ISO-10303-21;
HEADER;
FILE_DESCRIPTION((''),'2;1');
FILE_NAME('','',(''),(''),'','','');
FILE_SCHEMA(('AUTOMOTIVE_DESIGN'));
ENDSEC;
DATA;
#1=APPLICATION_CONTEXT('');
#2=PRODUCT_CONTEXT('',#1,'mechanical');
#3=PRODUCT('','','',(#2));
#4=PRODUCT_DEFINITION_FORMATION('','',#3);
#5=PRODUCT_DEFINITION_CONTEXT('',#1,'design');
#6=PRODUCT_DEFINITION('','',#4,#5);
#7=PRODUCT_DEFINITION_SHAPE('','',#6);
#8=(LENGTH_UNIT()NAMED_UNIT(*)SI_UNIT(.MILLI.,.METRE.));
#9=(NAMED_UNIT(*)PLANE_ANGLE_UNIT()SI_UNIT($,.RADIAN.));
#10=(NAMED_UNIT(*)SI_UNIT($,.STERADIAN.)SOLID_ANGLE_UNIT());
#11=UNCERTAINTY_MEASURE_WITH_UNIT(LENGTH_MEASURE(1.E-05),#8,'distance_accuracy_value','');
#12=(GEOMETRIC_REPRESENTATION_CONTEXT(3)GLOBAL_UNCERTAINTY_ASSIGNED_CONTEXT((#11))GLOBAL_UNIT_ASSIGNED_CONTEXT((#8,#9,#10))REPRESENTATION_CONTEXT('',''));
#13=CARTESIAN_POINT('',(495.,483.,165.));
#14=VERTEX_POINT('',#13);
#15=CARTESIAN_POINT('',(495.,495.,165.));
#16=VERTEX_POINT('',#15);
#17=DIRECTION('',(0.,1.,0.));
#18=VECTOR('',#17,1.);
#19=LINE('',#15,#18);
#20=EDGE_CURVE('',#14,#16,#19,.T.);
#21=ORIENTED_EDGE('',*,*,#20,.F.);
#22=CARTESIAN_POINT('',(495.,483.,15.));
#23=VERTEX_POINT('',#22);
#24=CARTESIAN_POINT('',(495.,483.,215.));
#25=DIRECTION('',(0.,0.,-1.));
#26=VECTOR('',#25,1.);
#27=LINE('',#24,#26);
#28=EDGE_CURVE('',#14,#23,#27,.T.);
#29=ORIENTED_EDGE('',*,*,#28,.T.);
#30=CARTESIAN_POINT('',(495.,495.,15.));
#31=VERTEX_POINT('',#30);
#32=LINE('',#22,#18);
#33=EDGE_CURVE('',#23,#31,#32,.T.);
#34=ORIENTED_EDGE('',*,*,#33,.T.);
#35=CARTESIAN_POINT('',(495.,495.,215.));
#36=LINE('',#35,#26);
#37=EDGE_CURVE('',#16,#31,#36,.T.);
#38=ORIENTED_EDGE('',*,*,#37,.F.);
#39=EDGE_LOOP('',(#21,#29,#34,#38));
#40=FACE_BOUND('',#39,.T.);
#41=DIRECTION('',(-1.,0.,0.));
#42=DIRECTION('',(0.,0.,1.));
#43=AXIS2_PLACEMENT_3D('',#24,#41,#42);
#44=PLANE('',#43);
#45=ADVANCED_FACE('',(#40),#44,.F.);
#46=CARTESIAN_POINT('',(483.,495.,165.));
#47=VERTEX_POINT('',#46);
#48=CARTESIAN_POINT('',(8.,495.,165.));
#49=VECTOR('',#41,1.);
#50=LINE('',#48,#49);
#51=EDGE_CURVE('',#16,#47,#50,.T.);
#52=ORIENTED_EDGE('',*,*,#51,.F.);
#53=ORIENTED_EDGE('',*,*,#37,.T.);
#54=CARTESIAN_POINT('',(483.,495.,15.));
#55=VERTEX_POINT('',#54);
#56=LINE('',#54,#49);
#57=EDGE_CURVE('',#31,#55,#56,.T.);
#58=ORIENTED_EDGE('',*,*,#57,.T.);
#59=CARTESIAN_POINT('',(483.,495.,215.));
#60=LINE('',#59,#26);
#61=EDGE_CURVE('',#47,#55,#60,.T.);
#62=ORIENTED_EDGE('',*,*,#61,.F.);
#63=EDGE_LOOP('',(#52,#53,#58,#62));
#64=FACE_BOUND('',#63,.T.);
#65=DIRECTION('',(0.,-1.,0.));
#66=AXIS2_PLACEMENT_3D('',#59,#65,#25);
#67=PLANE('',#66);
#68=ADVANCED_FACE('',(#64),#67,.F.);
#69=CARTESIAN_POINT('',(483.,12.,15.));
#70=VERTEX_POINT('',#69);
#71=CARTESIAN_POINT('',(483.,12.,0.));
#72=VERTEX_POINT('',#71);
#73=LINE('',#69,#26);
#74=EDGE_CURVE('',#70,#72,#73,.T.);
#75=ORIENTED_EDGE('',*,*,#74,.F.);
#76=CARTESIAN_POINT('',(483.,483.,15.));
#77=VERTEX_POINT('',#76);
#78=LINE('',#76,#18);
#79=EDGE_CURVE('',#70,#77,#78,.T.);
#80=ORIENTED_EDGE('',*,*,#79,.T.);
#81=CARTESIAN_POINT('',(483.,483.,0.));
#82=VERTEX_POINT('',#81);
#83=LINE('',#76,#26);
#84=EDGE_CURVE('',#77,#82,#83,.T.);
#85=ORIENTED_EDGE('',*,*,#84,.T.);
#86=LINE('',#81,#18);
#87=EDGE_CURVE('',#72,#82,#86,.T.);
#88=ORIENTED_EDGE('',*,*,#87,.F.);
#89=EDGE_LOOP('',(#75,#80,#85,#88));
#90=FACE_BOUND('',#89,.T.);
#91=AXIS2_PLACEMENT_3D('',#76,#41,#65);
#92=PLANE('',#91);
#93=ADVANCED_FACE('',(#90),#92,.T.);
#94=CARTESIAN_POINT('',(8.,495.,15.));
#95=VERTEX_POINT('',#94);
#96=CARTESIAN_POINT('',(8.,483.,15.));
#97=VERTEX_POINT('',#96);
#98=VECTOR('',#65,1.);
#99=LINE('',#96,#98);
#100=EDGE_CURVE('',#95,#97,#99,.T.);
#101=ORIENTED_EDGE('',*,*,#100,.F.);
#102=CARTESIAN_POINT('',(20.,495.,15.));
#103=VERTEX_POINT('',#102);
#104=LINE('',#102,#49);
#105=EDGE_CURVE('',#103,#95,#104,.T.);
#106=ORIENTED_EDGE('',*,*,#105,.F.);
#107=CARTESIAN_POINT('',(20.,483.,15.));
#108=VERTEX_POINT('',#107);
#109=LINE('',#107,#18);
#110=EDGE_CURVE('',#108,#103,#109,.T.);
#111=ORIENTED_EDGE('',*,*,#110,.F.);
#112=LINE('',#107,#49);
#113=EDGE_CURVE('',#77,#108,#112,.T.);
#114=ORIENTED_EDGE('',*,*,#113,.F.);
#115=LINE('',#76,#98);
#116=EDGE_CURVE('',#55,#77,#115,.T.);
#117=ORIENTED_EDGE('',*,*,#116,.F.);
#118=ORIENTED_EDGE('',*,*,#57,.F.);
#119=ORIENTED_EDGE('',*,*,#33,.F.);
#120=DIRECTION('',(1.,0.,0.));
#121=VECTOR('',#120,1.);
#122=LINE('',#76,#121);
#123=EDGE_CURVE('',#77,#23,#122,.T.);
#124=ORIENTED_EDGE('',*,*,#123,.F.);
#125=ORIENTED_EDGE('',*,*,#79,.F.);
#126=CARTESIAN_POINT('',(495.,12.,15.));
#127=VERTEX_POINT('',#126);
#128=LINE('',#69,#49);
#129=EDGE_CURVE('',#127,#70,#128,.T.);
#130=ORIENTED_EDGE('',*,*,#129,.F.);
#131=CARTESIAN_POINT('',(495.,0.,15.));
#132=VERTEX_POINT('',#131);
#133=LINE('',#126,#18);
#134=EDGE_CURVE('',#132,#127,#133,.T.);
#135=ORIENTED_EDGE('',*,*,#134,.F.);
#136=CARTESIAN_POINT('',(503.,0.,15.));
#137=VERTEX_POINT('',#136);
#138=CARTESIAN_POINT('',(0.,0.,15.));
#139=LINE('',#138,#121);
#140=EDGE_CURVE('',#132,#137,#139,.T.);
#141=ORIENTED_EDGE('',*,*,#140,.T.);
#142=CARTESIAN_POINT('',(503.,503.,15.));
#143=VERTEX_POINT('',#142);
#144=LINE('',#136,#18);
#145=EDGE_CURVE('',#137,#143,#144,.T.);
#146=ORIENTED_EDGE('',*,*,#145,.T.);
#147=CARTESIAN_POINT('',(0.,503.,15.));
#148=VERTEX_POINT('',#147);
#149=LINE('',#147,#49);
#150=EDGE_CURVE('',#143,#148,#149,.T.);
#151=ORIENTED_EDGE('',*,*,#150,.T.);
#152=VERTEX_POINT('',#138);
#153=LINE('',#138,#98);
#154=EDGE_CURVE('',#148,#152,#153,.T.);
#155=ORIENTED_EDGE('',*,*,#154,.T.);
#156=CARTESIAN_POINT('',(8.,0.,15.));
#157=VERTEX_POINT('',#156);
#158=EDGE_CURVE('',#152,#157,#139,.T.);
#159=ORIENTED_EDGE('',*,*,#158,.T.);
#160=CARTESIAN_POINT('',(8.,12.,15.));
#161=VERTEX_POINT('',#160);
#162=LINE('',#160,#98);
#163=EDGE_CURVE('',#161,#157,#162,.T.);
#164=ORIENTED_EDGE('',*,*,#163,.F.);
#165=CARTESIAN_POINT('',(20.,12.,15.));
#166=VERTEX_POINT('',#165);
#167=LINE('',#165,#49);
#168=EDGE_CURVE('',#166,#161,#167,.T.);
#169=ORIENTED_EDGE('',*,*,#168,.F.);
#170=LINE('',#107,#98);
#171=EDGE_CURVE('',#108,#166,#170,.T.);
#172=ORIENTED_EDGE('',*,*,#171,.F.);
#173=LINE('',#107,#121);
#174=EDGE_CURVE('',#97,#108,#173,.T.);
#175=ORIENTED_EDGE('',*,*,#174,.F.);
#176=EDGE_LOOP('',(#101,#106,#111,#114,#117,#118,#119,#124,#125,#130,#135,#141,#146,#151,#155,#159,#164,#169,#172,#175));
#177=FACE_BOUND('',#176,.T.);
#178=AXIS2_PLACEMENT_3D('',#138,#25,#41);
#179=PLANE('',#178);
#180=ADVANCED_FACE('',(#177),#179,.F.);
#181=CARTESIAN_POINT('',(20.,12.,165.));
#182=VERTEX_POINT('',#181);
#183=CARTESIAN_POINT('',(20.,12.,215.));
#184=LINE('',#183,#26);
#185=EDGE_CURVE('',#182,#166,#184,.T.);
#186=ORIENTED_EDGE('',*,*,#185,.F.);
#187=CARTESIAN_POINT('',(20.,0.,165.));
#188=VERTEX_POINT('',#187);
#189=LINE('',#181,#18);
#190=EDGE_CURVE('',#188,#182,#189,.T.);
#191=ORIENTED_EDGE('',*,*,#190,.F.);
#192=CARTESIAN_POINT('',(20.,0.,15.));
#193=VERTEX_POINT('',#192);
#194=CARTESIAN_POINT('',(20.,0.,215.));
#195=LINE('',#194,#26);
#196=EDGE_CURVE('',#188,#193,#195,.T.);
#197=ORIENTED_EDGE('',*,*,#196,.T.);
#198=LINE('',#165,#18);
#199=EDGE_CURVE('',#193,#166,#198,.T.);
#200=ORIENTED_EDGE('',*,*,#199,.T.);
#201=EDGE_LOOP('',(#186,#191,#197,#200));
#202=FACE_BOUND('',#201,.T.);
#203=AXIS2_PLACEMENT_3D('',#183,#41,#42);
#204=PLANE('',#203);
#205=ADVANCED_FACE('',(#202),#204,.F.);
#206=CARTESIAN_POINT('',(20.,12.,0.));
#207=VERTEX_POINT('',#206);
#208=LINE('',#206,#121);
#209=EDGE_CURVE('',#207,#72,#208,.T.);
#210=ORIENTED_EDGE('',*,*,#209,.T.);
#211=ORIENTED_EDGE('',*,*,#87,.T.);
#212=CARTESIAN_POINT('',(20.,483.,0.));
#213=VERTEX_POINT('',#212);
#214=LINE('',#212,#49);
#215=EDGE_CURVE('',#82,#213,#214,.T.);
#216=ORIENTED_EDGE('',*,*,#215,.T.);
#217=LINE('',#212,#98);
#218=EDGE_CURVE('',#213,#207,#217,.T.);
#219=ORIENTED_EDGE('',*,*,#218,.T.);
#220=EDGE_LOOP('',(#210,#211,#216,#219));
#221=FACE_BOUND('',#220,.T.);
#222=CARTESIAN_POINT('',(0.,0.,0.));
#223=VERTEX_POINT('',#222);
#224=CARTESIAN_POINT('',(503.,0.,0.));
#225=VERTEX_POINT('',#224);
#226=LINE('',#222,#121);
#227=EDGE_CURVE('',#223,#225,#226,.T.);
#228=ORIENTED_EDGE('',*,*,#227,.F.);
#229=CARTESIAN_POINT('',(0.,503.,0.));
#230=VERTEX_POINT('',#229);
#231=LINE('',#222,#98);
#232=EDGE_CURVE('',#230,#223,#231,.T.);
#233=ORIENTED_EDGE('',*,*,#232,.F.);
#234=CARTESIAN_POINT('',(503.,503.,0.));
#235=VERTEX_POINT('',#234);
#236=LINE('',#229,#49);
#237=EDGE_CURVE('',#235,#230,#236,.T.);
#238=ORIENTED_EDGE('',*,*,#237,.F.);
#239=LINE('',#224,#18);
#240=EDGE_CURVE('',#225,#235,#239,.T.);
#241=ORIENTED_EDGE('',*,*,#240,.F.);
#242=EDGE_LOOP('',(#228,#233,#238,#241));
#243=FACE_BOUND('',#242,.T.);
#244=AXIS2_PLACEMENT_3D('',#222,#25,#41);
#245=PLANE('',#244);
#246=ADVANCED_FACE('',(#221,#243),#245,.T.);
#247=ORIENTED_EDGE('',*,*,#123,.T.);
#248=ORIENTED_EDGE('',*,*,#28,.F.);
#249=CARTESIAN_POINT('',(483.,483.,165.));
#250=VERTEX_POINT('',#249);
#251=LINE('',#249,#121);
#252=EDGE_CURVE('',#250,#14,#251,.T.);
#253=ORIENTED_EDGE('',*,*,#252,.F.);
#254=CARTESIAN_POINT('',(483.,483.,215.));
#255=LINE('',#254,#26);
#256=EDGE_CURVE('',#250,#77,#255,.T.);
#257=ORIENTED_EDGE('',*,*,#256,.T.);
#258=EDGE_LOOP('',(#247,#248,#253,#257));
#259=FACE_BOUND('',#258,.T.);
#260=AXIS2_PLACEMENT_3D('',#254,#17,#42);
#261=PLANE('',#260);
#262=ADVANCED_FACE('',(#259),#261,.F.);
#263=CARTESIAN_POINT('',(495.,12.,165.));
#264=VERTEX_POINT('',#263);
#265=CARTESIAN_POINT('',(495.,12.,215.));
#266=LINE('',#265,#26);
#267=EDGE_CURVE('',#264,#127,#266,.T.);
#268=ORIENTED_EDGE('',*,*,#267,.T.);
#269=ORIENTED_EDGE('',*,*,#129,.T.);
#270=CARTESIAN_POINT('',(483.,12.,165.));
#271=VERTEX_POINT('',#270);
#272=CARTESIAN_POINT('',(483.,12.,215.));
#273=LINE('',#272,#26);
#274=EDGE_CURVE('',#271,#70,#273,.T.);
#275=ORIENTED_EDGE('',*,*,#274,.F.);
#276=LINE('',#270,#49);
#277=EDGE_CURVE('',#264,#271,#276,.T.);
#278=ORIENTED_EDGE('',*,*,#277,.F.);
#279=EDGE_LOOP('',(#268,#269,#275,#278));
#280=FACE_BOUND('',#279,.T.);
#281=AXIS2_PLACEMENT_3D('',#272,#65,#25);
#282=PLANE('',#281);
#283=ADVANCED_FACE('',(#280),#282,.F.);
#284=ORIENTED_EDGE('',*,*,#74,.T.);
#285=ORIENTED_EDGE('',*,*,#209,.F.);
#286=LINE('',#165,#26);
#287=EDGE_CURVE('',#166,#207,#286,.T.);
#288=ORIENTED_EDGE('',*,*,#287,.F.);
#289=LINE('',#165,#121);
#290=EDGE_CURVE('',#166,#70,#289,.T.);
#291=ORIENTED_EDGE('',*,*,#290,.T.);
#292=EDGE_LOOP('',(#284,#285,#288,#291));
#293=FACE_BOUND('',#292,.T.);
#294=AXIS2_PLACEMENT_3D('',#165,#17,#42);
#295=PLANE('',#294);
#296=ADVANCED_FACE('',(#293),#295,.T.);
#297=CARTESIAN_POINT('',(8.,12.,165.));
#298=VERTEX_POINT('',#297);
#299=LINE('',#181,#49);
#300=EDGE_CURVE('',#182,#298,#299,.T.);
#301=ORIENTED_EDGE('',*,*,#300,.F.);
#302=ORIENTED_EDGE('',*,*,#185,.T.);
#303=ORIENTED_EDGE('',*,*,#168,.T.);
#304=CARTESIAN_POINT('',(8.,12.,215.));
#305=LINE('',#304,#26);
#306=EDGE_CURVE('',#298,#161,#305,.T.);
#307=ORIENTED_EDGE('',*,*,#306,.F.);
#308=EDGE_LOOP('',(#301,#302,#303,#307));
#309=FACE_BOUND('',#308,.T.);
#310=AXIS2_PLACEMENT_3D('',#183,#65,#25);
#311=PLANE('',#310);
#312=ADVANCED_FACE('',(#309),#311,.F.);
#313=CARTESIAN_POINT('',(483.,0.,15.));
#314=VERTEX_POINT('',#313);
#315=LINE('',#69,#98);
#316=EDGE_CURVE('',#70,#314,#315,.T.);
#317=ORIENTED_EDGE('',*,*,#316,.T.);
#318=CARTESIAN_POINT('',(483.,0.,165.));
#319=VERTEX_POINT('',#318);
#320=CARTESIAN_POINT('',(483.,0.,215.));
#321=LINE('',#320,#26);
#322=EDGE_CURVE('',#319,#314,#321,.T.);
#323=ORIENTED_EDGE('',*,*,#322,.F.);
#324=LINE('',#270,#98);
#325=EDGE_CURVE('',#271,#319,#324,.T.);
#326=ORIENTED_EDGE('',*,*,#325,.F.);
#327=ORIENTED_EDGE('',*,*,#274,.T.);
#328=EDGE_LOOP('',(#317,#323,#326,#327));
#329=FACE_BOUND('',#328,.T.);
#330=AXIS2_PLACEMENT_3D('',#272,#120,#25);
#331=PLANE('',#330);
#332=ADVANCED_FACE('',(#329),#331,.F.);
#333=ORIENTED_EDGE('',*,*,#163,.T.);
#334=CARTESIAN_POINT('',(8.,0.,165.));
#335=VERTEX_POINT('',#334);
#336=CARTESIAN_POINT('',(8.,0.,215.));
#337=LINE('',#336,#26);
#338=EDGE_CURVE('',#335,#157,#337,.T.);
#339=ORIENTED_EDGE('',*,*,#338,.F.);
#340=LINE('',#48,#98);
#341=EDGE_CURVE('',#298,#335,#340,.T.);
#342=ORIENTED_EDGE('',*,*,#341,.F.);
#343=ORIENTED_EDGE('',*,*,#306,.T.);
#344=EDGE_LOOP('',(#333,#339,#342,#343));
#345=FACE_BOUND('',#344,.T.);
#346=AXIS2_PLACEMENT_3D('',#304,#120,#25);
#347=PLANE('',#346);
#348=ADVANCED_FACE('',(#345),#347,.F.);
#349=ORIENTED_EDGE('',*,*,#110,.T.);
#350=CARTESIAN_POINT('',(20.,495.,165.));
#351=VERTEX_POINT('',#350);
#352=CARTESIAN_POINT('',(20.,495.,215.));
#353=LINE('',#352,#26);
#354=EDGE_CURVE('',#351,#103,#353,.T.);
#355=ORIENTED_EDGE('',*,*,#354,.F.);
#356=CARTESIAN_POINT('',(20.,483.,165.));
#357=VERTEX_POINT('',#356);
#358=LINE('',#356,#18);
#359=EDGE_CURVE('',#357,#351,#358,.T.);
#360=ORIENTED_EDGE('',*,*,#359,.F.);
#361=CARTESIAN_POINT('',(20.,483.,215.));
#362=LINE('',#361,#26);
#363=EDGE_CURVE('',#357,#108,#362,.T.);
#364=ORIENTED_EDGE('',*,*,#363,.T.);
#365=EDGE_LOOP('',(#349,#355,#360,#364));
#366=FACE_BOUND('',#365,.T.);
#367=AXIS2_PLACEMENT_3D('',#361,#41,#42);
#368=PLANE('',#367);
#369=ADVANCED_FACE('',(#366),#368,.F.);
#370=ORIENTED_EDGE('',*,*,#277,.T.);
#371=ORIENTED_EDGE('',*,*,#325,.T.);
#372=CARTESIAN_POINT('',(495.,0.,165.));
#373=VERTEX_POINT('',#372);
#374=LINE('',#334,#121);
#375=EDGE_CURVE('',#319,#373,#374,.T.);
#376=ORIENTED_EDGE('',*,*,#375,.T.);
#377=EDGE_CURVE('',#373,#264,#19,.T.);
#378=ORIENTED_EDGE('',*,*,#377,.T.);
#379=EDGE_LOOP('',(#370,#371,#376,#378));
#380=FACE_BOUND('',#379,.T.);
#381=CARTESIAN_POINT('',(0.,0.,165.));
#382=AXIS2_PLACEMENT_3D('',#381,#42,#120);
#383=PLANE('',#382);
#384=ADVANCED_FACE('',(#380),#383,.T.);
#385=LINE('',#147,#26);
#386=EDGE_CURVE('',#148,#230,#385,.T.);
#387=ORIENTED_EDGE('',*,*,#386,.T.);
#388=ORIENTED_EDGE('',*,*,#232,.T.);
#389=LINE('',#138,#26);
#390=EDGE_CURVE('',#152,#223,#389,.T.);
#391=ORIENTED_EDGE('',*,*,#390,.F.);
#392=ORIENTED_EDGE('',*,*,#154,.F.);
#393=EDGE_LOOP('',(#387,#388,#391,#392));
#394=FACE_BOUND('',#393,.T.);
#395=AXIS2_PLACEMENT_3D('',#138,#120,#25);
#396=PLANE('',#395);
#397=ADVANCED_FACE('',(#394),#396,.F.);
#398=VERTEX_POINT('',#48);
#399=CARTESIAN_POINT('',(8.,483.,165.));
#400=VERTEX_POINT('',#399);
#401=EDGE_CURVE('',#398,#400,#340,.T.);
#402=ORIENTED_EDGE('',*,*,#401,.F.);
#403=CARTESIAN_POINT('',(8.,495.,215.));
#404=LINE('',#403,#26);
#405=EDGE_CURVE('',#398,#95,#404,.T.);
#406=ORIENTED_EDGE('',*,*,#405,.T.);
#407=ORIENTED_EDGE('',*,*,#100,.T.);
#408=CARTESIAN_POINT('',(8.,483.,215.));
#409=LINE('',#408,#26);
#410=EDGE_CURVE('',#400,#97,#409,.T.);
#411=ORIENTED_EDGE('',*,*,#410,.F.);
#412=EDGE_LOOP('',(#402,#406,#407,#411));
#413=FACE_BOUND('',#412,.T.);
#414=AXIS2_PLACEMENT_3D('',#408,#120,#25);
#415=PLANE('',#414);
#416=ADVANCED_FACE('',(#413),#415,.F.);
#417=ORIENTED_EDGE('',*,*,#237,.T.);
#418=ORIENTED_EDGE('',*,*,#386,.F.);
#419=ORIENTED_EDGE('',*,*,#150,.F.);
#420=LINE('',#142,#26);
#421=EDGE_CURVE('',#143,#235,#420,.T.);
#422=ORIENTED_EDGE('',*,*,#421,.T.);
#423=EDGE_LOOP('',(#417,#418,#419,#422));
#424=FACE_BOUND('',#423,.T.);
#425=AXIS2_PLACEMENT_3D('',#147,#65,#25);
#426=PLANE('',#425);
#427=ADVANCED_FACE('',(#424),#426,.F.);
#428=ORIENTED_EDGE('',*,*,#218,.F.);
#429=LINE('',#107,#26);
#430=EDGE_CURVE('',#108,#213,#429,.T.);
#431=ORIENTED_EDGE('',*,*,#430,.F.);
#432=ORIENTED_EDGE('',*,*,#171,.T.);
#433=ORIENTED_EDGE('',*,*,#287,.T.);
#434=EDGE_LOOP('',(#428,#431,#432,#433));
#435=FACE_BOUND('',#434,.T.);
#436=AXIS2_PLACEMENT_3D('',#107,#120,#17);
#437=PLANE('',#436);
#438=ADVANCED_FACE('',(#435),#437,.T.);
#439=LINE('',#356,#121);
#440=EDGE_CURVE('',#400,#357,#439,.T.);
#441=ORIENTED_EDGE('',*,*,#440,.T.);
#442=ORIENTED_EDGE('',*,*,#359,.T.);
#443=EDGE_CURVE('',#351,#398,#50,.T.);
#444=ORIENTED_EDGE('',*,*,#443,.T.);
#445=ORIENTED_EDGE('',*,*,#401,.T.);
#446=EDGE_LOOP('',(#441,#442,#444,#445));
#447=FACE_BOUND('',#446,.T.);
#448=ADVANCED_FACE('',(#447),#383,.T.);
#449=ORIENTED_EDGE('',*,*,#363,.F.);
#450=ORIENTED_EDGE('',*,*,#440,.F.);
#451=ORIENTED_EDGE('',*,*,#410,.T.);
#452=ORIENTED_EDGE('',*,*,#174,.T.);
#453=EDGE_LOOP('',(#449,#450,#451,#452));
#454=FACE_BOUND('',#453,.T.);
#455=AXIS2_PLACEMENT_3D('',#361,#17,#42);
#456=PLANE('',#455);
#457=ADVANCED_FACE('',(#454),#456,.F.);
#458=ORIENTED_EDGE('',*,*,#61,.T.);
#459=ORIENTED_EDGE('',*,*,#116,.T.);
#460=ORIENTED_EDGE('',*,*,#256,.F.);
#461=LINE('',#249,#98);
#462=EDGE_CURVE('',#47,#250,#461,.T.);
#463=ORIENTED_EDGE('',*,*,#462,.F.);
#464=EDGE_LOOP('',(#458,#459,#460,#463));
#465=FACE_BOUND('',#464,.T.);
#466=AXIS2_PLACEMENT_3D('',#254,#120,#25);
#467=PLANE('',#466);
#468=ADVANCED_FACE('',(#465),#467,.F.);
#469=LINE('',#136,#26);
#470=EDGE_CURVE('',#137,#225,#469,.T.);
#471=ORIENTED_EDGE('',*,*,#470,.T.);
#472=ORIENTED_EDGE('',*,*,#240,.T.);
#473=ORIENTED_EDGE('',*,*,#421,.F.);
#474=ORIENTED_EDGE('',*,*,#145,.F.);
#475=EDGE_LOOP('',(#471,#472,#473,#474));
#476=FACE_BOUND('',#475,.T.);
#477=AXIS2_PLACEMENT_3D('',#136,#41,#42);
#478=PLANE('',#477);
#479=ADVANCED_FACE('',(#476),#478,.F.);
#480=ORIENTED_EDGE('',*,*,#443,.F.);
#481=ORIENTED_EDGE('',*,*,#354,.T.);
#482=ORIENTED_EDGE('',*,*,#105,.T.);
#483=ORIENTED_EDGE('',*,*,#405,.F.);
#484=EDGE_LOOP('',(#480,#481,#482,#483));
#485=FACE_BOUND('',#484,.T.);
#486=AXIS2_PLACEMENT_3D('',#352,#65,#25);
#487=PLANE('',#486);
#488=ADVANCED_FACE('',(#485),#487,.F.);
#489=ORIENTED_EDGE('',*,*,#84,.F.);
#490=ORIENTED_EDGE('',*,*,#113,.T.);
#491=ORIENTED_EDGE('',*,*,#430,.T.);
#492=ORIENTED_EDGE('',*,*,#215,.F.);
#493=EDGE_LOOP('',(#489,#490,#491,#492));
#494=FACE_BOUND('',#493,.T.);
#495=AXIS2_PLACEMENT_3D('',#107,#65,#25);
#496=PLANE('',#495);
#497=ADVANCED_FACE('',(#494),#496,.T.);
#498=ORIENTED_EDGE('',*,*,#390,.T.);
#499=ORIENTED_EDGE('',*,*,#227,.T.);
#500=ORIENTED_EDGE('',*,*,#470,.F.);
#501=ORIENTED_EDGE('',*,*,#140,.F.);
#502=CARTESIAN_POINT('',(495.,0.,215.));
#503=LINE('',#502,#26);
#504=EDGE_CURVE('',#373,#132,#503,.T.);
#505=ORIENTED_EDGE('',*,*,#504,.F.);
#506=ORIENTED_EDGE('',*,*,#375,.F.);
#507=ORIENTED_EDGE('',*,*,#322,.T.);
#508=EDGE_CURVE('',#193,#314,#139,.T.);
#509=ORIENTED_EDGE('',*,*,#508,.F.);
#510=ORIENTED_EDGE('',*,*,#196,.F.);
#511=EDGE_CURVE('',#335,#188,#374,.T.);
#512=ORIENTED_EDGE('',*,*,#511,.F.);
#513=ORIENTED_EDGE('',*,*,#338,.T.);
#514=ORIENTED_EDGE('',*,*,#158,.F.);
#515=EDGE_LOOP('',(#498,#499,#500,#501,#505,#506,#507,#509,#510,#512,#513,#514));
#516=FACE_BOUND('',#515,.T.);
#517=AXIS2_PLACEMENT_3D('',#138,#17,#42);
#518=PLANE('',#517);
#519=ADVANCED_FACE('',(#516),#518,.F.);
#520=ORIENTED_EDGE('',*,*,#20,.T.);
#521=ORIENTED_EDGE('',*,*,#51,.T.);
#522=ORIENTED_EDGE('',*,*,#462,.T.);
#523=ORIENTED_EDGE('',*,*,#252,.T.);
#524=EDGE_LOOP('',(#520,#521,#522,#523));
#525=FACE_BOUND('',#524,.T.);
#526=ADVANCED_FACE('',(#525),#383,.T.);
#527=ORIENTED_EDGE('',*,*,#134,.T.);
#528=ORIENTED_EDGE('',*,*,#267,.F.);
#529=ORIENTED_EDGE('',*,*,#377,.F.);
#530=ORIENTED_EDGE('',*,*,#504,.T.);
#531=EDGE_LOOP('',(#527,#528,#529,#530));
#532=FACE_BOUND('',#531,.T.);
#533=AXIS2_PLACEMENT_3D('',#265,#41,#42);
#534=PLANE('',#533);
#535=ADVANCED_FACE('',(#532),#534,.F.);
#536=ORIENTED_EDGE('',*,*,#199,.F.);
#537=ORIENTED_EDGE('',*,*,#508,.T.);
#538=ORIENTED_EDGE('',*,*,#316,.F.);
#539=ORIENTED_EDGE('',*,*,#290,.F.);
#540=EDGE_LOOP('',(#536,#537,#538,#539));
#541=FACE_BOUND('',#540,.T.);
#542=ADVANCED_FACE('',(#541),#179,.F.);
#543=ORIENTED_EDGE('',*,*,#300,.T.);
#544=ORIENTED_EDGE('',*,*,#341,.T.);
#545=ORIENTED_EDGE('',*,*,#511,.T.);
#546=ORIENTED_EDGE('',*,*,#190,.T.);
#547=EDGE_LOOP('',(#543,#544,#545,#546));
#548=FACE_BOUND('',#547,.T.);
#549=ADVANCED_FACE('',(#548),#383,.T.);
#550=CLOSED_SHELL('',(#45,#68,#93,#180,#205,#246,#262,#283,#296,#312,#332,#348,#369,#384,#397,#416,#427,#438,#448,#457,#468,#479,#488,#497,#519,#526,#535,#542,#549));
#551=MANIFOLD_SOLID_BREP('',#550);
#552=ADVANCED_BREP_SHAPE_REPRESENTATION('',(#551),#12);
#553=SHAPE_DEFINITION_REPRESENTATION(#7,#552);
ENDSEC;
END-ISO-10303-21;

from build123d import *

# Parameters (mm, degrees)
SKETCH1_W           = 503
SKETCH1_H           = 503
SKETCH1_W_2         = 463
SKETCH1_H_2         = 471
BOSS_EXTRUDE1_DEPTH = 15
SKETCH2_W           = 12
SKETCH2_H           = 12
BOSS_EXTRUDE2_DEPTH = 200
SKETCH3_W           = 487
SKETCH3_H           = 495
CUT_EXTRUDE1_DEPTH  = 50


with BuildPart() as part:
    # Sketch1 → Boss-Extrude1 (new body)
    with BuildSketch(Plane.XY):
        with Locations((251.5, 251.5)):
            Rectangle(SKETCH1_W, SKETCH1_H)
        with Locations((251.5, 247.5)):
            Rectangle(SKETCH1_W_2, SKETCH1_H_2, mode=Mode.SUBTRACT)
    extrude(amount=BOSS_EXTRUDE1_DEPTH)

    # Sketch2 → Boss-Extrude2 (add)
    with BuildSketch(Plane.XY.offset(15)):
        with Locations((14, 489)):
            Rectangle(SKETCH2_W, SKETCH2_H)
        with Locations((489, 489)):
            Rectangle(SKETCH2_W, SKETCH2_H)
        with Locations((14, 6)):
            Rectangle(SKETCH2_W, SKETCH2_H)
        with Locations((489, 6)):
            Rectangle(SKETCH2_W, SKETCH2_H)
    extrude(amount=BOSS_EXTRUDE2_DEPTH)

    # Sketch3 → Cut-Extrude1 (cut)
    with BuildSketch(Plane.XY.offset(215)):
        with Locations((251.5, 247.5)):
            Rectangle(SKETCH3_W, SKETCH3_H)
    extrude(amount=-CUT_EXTRUDE1_DEPTH, mode=Mode.SUBTRACT)


solid = part.part
